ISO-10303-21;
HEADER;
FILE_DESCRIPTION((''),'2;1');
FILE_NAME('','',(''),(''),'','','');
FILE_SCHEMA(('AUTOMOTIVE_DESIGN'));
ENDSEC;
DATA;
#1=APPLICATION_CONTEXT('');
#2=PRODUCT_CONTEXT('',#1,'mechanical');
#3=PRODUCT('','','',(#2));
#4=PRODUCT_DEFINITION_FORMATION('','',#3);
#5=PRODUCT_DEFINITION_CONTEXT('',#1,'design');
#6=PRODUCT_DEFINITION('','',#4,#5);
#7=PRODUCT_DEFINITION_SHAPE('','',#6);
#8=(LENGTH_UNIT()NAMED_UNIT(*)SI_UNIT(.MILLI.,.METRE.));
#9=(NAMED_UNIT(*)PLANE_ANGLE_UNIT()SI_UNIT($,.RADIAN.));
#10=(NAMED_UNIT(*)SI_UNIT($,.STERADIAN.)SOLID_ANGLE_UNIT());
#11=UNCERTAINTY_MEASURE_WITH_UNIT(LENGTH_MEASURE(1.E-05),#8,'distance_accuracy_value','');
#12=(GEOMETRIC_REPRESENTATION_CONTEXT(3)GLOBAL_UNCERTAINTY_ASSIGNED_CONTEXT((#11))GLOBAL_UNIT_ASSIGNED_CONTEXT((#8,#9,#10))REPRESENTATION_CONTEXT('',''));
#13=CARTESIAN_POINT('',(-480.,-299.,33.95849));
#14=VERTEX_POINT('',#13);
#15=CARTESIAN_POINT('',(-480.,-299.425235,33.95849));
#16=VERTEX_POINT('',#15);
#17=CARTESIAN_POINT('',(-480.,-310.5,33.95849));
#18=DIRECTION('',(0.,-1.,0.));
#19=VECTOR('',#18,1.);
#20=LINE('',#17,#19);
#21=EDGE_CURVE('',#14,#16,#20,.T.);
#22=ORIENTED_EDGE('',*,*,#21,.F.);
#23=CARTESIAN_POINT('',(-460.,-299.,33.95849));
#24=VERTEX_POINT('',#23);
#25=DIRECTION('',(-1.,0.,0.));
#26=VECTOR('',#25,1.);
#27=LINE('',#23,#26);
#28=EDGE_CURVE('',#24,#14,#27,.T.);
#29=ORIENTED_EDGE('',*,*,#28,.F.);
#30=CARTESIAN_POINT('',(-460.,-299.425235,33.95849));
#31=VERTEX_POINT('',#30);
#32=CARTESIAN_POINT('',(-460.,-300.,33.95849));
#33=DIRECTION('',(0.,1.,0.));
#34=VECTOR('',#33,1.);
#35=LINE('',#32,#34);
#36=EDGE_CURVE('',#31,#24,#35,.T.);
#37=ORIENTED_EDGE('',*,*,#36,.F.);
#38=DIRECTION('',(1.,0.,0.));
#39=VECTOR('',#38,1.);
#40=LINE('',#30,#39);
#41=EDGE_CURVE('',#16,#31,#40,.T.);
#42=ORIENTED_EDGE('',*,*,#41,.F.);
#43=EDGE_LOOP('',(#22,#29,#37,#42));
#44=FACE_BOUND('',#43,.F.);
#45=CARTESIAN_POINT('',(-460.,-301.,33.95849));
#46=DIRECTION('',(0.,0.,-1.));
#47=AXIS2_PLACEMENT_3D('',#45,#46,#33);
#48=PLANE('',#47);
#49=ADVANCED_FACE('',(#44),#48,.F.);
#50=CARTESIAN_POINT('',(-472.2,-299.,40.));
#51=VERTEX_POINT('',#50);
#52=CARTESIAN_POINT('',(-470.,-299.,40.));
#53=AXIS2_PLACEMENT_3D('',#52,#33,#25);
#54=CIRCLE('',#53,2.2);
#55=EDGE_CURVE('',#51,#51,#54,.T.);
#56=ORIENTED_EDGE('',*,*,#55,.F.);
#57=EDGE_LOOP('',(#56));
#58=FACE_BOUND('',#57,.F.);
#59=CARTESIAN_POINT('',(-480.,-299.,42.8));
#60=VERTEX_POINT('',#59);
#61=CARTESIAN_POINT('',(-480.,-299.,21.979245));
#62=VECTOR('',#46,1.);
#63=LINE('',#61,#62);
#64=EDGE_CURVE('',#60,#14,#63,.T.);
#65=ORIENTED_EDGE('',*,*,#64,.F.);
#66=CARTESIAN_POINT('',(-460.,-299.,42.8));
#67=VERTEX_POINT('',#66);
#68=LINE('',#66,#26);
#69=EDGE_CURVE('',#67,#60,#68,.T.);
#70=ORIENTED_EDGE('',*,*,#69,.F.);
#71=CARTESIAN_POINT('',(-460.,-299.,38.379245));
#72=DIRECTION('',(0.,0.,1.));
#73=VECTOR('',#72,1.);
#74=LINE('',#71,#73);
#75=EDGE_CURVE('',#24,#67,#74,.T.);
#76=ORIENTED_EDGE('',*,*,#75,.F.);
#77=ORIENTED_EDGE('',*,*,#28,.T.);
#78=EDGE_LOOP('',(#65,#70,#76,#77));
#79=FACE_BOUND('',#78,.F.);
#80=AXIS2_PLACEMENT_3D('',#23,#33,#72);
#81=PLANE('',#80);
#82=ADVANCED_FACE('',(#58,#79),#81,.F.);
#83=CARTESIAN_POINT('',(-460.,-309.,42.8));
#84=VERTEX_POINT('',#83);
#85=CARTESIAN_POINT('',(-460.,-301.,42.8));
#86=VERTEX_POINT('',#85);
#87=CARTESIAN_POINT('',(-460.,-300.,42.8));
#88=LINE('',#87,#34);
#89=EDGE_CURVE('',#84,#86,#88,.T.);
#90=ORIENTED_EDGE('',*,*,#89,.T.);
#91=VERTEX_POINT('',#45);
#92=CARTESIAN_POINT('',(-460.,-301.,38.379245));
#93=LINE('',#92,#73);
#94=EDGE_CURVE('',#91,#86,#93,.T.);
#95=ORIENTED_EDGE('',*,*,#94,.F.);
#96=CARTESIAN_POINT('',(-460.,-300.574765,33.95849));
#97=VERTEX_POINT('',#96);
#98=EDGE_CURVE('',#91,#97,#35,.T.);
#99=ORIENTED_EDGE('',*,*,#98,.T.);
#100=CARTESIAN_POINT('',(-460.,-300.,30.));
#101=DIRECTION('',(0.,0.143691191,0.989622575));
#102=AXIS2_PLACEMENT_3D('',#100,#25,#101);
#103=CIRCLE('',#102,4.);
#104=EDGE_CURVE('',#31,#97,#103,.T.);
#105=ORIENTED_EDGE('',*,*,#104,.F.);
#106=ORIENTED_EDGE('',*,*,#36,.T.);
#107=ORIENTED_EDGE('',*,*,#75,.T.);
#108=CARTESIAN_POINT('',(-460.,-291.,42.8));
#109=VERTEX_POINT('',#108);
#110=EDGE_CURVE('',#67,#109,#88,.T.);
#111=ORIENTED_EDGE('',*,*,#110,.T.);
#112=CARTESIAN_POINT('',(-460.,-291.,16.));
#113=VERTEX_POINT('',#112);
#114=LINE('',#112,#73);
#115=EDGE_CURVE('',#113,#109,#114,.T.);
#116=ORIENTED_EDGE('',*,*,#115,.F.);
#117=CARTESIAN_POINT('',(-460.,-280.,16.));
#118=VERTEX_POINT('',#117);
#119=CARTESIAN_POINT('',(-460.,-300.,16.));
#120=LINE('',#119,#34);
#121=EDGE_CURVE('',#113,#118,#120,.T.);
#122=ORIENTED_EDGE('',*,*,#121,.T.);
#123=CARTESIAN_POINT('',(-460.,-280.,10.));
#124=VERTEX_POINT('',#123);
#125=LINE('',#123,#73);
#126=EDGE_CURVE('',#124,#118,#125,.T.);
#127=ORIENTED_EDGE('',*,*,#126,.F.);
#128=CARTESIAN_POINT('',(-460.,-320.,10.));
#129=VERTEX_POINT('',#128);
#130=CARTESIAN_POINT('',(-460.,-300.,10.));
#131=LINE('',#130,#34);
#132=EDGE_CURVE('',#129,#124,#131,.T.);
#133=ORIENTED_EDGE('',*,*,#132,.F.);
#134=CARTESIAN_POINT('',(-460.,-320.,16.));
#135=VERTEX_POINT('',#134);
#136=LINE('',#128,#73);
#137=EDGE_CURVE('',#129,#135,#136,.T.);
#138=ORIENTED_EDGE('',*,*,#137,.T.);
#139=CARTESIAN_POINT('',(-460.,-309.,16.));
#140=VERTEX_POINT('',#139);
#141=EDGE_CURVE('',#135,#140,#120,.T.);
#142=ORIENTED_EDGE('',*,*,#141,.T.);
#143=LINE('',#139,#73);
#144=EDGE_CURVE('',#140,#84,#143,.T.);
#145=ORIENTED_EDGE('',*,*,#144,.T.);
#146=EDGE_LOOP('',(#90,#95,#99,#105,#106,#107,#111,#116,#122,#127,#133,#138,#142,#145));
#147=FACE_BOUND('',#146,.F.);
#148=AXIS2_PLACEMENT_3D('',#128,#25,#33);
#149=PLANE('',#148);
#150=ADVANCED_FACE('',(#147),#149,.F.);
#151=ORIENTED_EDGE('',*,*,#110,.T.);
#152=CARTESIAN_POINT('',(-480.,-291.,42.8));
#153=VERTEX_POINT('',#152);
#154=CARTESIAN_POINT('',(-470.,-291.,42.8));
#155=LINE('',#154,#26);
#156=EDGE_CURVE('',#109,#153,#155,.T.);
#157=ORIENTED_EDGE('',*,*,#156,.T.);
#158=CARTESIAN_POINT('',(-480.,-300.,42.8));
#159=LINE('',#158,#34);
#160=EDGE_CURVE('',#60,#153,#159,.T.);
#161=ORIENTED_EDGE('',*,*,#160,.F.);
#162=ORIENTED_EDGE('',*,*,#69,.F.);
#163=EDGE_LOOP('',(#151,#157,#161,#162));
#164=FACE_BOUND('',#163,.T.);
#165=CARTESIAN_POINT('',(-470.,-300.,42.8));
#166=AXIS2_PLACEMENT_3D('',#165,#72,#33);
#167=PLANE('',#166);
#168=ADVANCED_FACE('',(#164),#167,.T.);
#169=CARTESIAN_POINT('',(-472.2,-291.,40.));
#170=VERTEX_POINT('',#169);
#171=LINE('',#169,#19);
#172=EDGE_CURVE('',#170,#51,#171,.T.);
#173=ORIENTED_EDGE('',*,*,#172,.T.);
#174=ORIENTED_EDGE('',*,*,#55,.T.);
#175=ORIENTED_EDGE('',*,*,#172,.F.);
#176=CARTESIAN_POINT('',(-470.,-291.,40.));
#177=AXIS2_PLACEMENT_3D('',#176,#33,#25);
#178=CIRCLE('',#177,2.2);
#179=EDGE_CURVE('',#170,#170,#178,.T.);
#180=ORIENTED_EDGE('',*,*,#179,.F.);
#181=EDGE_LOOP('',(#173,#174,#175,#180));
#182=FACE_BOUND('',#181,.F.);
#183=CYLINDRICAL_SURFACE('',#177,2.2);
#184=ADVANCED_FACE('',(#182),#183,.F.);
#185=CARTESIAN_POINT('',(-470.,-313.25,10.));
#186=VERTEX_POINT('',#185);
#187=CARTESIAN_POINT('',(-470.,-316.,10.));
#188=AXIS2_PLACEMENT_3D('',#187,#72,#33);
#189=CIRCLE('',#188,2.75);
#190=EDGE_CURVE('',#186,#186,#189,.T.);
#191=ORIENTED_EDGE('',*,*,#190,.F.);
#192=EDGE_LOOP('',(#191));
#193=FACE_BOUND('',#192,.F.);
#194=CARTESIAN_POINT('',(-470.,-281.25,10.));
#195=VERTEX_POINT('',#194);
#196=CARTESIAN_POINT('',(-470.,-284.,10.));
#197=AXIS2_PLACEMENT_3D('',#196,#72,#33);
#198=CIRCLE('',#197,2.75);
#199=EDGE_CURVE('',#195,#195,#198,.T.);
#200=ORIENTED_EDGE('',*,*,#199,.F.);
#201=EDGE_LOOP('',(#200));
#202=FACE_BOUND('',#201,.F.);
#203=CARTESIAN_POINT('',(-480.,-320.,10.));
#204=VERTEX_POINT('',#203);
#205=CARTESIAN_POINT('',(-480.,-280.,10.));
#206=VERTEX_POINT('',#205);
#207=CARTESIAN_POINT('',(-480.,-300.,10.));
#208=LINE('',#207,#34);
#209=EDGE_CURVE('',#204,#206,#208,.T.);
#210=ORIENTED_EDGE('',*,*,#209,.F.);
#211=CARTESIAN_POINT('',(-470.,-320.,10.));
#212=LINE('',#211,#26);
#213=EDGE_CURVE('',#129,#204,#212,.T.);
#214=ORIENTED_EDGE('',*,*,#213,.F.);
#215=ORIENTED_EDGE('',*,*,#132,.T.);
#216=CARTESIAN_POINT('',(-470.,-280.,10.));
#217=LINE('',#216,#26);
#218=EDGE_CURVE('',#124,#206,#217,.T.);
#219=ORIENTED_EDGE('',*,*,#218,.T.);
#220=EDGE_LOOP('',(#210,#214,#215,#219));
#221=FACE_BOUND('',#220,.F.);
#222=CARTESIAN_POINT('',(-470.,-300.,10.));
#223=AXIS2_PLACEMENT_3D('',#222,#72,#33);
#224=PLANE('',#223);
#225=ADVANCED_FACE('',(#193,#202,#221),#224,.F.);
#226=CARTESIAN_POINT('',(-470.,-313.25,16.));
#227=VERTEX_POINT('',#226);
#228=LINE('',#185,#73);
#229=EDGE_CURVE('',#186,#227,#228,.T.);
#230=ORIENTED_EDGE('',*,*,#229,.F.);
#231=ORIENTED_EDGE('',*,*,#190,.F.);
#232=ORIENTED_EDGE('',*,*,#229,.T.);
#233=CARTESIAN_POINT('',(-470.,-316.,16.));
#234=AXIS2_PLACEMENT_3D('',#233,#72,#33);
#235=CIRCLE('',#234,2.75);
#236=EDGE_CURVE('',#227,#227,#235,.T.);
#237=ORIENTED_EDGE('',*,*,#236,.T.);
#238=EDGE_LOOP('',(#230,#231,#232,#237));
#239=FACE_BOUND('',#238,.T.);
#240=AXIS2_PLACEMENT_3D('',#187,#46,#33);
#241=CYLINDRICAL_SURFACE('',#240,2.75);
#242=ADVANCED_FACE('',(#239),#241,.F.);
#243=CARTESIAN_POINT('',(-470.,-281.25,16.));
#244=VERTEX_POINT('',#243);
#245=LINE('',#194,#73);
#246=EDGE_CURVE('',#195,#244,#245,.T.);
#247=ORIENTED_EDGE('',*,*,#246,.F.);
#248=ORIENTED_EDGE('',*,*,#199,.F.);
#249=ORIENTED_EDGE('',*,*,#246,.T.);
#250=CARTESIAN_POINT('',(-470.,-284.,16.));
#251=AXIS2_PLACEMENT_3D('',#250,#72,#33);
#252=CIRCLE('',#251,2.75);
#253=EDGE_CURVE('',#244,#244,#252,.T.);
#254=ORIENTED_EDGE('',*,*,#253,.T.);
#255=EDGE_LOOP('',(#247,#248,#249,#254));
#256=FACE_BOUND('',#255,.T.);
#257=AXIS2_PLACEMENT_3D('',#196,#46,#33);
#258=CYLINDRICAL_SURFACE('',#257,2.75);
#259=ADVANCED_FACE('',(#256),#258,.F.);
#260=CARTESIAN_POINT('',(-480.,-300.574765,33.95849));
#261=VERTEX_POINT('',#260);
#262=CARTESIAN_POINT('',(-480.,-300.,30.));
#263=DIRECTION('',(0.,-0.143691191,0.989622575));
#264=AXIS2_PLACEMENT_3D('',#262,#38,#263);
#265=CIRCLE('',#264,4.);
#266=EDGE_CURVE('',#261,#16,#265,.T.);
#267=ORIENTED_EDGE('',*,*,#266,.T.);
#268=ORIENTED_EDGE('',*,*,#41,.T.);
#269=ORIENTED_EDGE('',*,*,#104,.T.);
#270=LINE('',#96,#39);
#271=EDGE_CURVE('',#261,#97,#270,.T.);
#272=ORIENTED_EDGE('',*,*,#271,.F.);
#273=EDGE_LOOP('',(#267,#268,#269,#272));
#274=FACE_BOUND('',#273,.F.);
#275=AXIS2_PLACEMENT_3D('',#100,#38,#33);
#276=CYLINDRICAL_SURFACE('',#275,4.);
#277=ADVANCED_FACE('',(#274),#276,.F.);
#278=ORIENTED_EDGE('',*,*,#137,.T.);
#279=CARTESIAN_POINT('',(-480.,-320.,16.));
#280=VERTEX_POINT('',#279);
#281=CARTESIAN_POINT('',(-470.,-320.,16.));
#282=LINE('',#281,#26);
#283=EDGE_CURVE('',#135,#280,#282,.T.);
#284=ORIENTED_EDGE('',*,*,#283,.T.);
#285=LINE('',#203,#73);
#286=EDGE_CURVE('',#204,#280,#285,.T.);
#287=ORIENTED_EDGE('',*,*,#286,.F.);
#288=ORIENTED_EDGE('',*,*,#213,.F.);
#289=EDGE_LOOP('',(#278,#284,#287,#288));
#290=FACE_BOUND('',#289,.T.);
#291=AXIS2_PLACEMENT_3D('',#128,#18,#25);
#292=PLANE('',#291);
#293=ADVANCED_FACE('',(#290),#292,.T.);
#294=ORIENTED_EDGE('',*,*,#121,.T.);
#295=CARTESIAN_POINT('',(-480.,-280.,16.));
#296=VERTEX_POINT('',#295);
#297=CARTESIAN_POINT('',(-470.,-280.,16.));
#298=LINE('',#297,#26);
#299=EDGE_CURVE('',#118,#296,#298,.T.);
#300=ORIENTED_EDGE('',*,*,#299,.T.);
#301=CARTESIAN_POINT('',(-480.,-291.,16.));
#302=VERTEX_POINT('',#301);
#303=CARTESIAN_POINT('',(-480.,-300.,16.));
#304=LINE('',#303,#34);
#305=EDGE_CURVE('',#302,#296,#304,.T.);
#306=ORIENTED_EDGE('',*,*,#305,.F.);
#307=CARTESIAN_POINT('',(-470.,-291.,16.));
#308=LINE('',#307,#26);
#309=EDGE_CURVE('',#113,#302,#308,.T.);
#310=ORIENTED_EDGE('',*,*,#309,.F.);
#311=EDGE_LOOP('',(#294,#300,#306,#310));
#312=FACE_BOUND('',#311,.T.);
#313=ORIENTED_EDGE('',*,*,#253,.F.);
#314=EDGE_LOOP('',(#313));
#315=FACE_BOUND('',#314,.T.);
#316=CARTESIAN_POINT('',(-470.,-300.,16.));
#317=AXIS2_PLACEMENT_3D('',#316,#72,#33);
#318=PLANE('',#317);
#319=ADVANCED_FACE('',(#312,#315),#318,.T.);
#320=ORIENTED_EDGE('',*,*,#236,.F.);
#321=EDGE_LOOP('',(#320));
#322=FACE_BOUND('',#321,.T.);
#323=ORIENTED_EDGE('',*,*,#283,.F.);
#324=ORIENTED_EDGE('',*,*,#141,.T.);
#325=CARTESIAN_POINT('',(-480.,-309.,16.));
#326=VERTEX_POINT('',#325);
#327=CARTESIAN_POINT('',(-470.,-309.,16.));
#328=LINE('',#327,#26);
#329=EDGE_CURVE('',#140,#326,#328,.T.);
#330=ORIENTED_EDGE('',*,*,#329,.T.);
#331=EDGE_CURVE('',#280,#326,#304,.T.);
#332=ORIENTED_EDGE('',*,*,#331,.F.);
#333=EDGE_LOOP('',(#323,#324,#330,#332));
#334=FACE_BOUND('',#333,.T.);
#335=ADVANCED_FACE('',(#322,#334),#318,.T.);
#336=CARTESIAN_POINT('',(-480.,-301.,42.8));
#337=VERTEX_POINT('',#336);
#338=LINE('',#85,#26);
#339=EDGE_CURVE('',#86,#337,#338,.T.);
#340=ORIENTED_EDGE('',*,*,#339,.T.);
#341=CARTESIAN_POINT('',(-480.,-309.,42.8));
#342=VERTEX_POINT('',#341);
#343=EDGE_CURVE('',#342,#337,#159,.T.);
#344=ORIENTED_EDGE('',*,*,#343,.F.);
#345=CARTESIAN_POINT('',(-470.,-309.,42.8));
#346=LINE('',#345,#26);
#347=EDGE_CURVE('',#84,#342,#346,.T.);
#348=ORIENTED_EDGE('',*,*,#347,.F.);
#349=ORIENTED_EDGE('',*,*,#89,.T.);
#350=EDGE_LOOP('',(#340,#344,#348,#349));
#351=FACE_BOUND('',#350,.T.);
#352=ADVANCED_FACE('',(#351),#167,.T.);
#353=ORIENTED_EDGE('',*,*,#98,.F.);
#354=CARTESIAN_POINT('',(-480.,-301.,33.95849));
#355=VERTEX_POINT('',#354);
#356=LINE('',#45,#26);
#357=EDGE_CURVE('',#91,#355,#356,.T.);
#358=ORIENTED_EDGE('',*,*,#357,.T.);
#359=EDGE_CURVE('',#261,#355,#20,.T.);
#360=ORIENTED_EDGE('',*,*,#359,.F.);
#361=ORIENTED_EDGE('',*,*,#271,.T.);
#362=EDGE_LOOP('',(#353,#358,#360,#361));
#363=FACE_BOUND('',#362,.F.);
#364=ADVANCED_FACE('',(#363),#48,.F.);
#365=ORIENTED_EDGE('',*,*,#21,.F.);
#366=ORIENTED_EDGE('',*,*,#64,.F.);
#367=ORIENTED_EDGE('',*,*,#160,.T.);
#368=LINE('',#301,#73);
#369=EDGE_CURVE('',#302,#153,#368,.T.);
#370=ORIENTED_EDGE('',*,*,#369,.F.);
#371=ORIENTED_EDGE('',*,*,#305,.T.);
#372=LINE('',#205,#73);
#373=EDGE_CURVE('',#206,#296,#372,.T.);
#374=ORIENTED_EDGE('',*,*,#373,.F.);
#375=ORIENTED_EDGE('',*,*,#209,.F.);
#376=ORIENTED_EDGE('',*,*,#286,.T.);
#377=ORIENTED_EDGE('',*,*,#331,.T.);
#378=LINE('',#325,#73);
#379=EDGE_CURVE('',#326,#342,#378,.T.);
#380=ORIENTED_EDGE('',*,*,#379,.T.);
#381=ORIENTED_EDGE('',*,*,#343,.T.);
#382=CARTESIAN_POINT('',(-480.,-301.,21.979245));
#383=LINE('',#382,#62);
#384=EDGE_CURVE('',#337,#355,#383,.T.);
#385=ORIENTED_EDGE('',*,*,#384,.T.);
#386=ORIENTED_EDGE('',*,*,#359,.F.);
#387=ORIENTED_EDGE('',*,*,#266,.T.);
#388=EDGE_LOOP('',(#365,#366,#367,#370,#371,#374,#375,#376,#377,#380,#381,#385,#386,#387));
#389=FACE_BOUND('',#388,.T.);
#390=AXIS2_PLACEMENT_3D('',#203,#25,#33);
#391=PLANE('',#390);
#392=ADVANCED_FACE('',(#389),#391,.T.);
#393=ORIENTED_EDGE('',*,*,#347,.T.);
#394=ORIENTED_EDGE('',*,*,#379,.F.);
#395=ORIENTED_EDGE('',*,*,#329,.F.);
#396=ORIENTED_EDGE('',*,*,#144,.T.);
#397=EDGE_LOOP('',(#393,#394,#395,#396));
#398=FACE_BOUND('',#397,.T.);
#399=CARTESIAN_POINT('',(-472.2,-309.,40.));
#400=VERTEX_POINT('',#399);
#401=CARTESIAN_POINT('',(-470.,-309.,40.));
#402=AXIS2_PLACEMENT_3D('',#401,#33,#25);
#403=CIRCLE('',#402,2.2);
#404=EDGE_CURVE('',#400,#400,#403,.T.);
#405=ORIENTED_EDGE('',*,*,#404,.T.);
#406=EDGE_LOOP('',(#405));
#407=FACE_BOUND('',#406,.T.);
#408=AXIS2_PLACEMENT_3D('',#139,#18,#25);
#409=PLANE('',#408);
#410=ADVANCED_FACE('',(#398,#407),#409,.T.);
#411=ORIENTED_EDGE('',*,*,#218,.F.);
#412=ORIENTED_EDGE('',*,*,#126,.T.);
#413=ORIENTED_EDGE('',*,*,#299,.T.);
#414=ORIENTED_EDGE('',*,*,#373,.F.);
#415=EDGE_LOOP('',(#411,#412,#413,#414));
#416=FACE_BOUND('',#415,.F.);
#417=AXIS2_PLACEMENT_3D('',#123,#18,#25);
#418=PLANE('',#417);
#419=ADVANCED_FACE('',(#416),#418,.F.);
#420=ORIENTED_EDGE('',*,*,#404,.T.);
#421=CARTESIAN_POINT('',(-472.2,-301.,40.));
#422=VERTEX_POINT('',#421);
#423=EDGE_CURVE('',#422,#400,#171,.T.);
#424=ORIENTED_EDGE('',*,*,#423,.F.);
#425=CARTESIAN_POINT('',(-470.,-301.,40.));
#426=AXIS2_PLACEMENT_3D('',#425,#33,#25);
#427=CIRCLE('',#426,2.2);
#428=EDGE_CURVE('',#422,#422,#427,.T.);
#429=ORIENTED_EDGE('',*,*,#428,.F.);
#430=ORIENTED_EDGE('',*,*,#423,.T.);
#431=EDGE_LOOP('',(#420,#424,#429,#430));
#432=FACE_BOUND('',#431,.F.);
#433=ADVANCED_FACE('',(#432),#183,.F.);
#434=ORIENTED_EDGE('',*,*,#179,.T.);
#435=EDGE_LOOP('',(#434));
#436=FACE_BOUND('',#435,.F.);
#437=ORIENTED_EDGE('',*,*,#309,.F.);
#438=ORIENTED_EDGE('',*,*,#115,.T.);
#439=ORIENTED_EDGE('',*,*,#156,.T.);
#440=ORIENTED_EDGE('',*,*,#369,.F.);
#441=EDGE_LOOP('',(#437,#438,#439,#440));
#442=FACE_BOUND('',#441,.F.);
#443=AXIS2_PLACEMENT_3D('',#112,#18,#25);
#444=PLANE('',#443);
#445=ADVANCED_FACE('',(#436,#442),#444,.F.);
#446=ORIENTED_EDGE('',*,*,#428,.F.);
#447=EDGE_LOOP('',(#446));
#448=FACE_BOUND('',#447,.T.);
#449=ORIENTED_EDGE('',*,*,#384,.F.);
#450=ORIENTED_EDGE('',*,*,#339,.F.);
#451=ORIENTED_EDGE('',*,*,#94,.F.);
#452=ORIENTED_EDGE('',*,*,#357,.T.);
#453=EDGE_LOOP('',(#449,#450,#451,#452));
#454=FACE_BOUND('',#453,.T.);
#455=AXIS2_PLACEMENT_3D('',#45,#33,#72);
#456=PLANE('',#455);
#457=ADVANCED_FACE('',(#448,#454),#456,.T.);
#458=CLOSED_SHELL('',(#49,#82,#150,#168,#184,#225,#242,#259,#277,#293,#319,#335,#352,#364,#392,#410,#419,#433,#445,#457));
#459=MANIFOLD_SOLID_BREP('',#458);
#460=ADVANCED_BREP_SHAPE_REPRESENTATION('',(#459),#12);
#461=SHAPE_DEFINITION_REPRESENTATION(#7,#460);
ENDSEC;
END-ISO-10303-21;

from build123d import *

# Parameters (mm, degrees)
SKETCH008_W              = 40
SKETCH008_H              = 20
SKETCH008_R              = 2.75
PAD005_DEPTH             = 6
SKETCH009_W              = 18
SKETCH009_H              = 20
PAD006_DEPTH             = 26.8
SKETCH010_R              = 4
POCKET001_DEPTH          = 20.001
SKETCH011_W              = 2
SKETCH011_H              = 8.8415096984
POCKET002_DEPTH          = 20.001
SKETCH012_R              = 2.2
POCKET003_DEPTH          = 29.001
CLONE011_PLACEMENT_ANGLE = 90


with BuildPart() as part:
    # Sketch008 → Pad005 (new body)
    with BuildSketch(Plane.XY):
        Rectangle(SKETCH008_W, SKETCH008_H)
        with Locations((-16, 0)):
            Circle(SKETCH008_R, mode=Mode.SUBTRACT)
        with Locations((16, 0)):
            Circle(SKETCH008_R, mode=Mode.SUBTRACT)
    extrude(amount=PAD005_DEPTH)

    # Sketch009 (on Face8 of Pad005) → Pad006 (join)
    with BuildSketch(Plane.XY.offset(6)):
        Rectangle(SKETCH009_W, SKETCH009_H)
    extrude(amount=PAD006_DEPTH)

    # Sketch010 (on Face14 of Pad006) → Pocket001 (cut, through all)
    with BuildSketch(Plane.XZ.offset(10)):
        with Locations((0, 20)):
            Circle(SKETCH010_R)
    extrude(amount=-POCKET001_DEPTH, mode=Mode.SUBTRACT)

    # Sketch011 (on Face15 of Pocket001) → Pocket002 (cut, through all)
    with BuildSketch(Plane.XZ.offset(10)):
        with Locations((0, 28.3792451508)):
            Rectangle(SKETCH011_W, SKETCH011_H)
    extrude(amount=-POCKET002_DEPTH, mode=Mode.SUBTRACT)

    # Sketch012 (on Face12 of Pocket002) → Pocket003 (cut, through all)
    with BuildSketch(Plane.YZ.offset(9)):
        with Locations((0, 30)):
            Circle(SKETCH012_R)
    extrude(amount=-POCKET003_DEPTH, mode=Mode.SUBTRACT)


with BuildPart() as part_1:
    # Clone011 placement: moved
    add(part.part.moved(Location((10, -100, 10))).rotate(Axis((10, -100, 10), (0, 0, 1)), CLONE011_PLACEMENT_ANGLE))


with BuildPart() as part_2:
    # Clone022 placement: moved
    add(part_1.part.moved(Location((0, -200, 0))))


with BuildPart() as part_3:
    # Clone023 placement: moved
    add(part_2.part.moved(Location((-480, 0, 0))))


solid = part_3.part
